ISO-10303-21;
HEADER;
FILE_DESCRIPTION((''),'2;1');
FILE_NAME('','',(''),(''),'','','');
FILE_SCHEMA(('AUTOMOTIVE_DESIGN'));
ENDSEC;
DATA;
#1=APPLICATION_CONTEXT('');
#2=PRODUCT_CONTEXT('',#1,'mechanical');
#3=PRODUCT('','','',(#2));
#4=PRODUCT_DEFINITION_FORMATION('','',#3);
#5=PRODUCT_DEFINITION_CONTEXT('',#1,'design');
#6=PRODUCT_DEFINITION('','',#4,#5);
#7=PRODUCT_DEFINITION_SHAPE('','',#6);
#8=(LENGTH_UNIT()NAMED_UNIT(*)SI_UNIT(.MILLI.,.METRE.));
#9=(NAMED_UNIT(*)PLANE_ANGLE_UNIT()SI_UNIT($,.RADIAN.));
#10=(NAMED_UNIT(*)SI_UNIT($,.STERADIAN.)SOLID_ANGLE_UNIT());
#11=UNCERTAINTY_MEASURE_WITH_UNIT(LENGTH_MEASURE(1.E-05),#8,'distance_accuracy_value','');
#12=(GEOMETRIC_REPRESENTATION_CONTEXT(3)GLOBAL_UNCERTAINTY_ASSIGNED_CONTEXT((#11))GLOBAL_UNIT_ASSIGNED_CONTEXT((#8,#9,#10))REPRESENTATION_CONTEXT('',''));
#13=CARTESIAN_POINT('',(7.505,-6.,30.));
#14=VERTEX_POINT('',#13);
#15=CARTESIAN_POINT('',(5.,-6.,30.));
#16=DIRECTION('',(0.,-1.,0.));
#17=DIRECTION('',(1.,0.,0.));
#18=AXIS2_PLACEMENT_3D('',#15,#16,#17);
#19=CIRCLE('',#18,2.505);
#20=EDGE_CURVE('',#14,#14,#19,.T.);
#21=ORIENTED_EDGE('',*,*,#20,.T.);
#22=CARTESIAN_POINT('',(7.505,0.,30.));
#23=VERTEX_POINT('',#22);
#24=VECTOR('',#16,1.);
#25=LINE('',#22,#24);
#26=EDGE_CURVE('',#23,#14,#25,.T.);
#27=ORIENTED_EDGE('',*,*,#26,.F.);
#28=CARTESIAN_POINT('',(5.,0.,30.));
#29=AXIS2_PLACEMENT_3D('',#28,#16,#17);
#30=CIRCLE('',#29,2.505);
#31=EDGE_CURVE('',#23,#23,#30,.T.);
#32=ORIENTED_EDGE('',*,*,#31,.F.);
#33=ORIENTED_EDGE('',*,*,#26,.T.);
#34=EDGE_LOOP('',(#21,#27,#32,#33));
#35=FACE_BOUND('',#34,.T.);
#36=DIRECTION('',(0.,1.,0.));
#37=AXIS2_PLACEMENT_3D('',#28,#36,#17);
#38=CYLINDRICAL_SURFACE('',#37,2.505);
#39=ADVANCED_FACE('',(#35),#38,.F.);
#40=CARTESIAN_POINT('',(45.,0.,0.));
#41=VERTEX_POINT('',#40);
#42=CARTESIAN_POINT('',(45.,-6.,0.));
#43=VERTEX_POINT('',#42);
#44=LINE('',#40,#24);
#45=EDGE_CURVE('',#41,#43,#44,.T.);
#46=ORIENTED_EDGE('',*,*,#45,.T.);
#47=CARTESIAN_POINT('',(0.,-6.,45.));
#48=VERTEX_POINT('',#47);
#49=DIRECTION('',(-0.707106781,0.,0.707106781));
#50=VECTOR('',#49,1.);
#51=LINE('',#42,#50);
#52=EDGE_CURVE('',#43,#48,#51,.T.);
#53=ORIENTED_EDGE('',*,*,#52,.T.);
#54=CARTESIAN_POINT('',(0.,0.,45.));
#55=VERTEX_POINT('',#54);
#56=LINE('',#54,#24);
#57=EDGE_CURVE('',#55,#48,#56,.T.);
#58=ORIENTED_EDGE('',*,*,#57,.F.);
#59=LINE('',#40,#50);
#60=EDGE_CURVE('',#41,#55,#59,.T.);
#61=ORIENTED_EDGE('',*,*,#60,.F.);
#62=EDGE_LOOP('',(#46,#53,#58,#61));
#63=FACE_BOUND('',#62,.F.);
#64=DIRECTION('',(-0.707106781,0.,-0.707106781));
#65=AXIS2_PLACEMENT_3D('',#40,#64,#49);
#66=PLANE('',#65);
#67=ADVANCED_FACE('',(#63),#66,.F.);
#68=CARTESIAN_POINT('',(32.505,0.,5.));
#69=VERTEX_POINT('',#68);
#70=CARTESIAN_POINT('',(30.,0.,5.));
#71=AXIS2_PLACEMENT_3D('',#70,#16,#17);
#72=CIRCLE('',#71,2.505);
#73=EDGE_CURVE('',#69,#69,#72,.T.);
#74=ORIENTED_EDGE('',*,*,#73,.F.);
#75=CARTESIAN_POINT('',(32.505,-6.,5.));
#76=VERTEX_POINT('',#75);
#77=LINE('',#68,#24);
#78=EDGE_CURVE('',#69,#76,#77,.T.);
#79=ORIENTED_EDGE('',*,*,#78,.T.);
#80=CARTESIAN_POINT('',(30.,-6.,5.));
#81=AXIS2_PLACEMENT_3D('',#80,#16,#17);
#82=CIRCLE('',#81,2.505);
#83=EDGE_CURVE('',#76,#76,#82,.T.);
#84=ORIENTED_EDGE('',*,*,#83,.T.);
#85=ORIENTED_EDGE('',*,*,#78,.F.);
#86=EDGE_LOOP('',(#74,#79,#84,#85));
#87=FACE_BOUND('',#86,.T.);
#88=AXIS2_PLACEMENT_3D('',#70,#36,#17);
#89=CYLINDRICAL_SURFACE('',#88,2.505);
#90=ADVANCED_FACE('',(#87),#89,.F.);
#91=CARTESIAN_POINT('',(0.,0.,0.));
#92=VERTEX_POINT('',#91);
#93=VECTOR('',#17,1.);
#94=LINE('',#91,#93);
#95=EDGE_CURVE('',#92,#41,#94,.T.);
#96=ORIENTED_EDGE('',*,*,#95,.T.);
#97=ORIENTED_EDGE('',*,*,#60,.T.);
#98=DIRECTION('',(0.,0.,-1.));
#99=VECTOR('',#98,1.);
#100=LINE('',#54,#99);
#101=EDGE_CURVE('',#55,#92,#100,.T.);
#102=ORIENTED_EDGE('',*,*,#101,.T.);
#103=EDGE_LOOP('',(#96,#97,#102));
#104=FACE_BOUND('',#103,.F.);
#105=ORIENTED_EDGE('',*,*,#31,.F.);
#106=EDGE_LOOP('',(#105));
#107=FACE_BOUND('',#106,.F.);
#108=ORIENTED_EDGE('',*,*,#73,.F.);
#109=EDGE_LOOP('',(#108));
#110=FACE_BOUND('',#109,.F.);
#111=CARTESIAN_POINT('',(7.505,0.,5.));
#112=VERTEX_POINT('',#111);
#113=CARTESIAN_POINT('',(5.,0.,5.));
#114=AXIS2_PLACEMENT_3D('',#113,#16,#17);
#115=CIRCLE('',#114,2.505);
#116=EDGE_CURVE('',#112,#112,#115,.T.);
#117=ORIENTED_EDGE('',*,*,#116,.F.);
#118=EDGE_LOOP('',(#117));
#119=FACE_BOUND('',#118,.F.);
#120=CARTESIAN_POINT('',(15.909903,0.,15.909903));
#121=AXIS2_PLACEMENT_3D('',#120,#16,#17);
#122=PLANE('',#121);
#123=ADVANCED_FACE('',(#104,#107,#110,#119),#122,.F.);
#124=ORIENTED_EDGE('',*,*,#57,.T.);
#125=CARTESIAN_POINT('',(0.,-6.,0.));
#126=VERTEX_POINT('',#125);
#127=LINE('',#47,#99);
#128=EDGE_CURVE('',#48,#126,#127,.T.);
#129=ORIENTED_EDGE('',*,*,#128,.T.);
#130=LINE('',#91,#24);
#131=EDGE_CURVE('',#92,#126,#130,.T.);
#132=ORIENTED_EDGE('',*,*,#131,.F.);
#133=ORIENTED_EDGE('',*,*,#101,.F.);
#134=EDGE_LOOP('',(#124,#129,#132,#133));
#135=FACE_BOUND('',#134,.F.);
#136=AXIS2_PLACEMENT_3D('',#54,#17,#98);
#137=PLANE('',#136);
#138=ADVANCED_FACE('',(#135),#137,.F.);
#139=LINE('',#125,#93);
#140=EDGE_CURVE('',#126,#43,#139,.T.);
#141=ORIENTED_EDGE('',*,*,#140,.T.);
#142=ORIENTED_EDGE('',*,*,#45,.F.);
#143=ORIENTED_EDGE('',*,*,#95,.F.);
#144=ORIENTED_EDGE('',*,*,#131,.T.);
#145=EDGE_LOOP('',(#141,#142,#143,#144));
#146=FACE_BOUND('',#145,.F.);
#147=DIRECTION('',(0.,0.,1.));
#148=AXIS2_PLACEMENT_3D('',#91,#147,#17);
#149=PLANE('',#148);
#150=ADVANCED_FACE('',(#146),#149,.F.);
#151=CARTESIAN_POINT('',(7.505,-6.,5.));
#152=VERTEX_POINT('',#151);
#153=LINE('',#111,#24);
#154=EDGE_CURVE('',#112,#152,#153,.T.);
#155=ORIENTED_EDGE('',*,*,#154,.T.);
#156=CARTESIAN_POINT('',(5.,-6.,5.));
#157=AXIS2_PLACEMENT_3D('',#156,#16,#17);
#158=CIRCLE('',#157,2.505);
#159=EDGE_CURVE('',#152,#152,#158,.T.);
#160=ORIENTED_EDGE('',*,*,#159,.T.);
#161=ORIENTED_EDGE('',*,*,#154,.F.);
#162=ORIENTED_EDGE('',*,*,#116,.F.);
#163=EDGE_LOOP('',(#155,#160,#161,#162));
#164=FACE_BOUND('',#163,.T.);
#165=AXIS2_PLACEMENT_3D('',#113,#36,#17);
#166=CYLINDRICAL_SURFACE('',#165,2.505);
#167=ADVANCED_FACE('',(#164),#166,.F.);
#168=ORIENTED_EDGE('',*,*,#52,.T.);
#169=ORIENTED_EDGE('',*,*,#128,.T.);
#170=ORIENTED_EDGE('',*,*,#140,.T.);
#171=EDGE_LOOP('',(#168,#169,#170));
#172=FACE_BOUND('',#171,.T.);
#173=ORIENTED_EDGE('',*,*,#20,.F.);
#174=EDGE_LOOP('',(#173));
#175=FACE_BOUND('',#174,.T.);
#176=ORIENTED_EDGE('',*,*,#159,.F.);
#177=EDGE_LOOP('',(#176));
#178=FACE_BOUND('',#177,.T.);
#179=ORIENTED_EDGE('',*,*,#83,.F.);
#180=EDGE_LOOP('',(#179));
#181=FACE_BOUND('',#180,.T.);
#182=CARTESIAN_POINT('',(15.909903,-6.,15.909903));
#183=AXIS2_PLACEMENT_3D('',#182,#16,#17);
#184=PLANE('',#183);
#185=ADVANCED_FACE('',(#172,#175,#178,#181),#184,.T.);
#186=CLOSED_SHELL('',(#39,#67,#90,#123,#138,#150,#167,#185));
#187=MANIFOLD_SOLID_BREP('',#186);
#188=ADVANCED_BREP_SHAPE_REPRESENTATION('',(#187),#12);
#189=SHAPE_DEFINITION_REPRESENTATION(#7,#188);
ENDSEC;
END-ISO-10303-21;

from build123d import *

# Parameters (mm, degrees)
F0_R     = 2.505
F1_DEPTH = 6


with BuildPart() as f1:
    # F0 (on Front) → F1 (new body)
    with BuildSketch(Plane.XZ):
        Polygon((0, 45), (0, 0), (45, 0), align=None)
        with Locations((5, 5)):
            Circle(F0_R, mode=Mode.SUBTRACT)
        with Locations((30, 5)):
            Circle(F0_R, mode=Mode.SUBTRACT)
        with Locations((5, 30)):
            Circle(F0_R, mode=Mode.SUBTRACT)
    extrude(amount=F1_DEPTH)


solid = f1.part
